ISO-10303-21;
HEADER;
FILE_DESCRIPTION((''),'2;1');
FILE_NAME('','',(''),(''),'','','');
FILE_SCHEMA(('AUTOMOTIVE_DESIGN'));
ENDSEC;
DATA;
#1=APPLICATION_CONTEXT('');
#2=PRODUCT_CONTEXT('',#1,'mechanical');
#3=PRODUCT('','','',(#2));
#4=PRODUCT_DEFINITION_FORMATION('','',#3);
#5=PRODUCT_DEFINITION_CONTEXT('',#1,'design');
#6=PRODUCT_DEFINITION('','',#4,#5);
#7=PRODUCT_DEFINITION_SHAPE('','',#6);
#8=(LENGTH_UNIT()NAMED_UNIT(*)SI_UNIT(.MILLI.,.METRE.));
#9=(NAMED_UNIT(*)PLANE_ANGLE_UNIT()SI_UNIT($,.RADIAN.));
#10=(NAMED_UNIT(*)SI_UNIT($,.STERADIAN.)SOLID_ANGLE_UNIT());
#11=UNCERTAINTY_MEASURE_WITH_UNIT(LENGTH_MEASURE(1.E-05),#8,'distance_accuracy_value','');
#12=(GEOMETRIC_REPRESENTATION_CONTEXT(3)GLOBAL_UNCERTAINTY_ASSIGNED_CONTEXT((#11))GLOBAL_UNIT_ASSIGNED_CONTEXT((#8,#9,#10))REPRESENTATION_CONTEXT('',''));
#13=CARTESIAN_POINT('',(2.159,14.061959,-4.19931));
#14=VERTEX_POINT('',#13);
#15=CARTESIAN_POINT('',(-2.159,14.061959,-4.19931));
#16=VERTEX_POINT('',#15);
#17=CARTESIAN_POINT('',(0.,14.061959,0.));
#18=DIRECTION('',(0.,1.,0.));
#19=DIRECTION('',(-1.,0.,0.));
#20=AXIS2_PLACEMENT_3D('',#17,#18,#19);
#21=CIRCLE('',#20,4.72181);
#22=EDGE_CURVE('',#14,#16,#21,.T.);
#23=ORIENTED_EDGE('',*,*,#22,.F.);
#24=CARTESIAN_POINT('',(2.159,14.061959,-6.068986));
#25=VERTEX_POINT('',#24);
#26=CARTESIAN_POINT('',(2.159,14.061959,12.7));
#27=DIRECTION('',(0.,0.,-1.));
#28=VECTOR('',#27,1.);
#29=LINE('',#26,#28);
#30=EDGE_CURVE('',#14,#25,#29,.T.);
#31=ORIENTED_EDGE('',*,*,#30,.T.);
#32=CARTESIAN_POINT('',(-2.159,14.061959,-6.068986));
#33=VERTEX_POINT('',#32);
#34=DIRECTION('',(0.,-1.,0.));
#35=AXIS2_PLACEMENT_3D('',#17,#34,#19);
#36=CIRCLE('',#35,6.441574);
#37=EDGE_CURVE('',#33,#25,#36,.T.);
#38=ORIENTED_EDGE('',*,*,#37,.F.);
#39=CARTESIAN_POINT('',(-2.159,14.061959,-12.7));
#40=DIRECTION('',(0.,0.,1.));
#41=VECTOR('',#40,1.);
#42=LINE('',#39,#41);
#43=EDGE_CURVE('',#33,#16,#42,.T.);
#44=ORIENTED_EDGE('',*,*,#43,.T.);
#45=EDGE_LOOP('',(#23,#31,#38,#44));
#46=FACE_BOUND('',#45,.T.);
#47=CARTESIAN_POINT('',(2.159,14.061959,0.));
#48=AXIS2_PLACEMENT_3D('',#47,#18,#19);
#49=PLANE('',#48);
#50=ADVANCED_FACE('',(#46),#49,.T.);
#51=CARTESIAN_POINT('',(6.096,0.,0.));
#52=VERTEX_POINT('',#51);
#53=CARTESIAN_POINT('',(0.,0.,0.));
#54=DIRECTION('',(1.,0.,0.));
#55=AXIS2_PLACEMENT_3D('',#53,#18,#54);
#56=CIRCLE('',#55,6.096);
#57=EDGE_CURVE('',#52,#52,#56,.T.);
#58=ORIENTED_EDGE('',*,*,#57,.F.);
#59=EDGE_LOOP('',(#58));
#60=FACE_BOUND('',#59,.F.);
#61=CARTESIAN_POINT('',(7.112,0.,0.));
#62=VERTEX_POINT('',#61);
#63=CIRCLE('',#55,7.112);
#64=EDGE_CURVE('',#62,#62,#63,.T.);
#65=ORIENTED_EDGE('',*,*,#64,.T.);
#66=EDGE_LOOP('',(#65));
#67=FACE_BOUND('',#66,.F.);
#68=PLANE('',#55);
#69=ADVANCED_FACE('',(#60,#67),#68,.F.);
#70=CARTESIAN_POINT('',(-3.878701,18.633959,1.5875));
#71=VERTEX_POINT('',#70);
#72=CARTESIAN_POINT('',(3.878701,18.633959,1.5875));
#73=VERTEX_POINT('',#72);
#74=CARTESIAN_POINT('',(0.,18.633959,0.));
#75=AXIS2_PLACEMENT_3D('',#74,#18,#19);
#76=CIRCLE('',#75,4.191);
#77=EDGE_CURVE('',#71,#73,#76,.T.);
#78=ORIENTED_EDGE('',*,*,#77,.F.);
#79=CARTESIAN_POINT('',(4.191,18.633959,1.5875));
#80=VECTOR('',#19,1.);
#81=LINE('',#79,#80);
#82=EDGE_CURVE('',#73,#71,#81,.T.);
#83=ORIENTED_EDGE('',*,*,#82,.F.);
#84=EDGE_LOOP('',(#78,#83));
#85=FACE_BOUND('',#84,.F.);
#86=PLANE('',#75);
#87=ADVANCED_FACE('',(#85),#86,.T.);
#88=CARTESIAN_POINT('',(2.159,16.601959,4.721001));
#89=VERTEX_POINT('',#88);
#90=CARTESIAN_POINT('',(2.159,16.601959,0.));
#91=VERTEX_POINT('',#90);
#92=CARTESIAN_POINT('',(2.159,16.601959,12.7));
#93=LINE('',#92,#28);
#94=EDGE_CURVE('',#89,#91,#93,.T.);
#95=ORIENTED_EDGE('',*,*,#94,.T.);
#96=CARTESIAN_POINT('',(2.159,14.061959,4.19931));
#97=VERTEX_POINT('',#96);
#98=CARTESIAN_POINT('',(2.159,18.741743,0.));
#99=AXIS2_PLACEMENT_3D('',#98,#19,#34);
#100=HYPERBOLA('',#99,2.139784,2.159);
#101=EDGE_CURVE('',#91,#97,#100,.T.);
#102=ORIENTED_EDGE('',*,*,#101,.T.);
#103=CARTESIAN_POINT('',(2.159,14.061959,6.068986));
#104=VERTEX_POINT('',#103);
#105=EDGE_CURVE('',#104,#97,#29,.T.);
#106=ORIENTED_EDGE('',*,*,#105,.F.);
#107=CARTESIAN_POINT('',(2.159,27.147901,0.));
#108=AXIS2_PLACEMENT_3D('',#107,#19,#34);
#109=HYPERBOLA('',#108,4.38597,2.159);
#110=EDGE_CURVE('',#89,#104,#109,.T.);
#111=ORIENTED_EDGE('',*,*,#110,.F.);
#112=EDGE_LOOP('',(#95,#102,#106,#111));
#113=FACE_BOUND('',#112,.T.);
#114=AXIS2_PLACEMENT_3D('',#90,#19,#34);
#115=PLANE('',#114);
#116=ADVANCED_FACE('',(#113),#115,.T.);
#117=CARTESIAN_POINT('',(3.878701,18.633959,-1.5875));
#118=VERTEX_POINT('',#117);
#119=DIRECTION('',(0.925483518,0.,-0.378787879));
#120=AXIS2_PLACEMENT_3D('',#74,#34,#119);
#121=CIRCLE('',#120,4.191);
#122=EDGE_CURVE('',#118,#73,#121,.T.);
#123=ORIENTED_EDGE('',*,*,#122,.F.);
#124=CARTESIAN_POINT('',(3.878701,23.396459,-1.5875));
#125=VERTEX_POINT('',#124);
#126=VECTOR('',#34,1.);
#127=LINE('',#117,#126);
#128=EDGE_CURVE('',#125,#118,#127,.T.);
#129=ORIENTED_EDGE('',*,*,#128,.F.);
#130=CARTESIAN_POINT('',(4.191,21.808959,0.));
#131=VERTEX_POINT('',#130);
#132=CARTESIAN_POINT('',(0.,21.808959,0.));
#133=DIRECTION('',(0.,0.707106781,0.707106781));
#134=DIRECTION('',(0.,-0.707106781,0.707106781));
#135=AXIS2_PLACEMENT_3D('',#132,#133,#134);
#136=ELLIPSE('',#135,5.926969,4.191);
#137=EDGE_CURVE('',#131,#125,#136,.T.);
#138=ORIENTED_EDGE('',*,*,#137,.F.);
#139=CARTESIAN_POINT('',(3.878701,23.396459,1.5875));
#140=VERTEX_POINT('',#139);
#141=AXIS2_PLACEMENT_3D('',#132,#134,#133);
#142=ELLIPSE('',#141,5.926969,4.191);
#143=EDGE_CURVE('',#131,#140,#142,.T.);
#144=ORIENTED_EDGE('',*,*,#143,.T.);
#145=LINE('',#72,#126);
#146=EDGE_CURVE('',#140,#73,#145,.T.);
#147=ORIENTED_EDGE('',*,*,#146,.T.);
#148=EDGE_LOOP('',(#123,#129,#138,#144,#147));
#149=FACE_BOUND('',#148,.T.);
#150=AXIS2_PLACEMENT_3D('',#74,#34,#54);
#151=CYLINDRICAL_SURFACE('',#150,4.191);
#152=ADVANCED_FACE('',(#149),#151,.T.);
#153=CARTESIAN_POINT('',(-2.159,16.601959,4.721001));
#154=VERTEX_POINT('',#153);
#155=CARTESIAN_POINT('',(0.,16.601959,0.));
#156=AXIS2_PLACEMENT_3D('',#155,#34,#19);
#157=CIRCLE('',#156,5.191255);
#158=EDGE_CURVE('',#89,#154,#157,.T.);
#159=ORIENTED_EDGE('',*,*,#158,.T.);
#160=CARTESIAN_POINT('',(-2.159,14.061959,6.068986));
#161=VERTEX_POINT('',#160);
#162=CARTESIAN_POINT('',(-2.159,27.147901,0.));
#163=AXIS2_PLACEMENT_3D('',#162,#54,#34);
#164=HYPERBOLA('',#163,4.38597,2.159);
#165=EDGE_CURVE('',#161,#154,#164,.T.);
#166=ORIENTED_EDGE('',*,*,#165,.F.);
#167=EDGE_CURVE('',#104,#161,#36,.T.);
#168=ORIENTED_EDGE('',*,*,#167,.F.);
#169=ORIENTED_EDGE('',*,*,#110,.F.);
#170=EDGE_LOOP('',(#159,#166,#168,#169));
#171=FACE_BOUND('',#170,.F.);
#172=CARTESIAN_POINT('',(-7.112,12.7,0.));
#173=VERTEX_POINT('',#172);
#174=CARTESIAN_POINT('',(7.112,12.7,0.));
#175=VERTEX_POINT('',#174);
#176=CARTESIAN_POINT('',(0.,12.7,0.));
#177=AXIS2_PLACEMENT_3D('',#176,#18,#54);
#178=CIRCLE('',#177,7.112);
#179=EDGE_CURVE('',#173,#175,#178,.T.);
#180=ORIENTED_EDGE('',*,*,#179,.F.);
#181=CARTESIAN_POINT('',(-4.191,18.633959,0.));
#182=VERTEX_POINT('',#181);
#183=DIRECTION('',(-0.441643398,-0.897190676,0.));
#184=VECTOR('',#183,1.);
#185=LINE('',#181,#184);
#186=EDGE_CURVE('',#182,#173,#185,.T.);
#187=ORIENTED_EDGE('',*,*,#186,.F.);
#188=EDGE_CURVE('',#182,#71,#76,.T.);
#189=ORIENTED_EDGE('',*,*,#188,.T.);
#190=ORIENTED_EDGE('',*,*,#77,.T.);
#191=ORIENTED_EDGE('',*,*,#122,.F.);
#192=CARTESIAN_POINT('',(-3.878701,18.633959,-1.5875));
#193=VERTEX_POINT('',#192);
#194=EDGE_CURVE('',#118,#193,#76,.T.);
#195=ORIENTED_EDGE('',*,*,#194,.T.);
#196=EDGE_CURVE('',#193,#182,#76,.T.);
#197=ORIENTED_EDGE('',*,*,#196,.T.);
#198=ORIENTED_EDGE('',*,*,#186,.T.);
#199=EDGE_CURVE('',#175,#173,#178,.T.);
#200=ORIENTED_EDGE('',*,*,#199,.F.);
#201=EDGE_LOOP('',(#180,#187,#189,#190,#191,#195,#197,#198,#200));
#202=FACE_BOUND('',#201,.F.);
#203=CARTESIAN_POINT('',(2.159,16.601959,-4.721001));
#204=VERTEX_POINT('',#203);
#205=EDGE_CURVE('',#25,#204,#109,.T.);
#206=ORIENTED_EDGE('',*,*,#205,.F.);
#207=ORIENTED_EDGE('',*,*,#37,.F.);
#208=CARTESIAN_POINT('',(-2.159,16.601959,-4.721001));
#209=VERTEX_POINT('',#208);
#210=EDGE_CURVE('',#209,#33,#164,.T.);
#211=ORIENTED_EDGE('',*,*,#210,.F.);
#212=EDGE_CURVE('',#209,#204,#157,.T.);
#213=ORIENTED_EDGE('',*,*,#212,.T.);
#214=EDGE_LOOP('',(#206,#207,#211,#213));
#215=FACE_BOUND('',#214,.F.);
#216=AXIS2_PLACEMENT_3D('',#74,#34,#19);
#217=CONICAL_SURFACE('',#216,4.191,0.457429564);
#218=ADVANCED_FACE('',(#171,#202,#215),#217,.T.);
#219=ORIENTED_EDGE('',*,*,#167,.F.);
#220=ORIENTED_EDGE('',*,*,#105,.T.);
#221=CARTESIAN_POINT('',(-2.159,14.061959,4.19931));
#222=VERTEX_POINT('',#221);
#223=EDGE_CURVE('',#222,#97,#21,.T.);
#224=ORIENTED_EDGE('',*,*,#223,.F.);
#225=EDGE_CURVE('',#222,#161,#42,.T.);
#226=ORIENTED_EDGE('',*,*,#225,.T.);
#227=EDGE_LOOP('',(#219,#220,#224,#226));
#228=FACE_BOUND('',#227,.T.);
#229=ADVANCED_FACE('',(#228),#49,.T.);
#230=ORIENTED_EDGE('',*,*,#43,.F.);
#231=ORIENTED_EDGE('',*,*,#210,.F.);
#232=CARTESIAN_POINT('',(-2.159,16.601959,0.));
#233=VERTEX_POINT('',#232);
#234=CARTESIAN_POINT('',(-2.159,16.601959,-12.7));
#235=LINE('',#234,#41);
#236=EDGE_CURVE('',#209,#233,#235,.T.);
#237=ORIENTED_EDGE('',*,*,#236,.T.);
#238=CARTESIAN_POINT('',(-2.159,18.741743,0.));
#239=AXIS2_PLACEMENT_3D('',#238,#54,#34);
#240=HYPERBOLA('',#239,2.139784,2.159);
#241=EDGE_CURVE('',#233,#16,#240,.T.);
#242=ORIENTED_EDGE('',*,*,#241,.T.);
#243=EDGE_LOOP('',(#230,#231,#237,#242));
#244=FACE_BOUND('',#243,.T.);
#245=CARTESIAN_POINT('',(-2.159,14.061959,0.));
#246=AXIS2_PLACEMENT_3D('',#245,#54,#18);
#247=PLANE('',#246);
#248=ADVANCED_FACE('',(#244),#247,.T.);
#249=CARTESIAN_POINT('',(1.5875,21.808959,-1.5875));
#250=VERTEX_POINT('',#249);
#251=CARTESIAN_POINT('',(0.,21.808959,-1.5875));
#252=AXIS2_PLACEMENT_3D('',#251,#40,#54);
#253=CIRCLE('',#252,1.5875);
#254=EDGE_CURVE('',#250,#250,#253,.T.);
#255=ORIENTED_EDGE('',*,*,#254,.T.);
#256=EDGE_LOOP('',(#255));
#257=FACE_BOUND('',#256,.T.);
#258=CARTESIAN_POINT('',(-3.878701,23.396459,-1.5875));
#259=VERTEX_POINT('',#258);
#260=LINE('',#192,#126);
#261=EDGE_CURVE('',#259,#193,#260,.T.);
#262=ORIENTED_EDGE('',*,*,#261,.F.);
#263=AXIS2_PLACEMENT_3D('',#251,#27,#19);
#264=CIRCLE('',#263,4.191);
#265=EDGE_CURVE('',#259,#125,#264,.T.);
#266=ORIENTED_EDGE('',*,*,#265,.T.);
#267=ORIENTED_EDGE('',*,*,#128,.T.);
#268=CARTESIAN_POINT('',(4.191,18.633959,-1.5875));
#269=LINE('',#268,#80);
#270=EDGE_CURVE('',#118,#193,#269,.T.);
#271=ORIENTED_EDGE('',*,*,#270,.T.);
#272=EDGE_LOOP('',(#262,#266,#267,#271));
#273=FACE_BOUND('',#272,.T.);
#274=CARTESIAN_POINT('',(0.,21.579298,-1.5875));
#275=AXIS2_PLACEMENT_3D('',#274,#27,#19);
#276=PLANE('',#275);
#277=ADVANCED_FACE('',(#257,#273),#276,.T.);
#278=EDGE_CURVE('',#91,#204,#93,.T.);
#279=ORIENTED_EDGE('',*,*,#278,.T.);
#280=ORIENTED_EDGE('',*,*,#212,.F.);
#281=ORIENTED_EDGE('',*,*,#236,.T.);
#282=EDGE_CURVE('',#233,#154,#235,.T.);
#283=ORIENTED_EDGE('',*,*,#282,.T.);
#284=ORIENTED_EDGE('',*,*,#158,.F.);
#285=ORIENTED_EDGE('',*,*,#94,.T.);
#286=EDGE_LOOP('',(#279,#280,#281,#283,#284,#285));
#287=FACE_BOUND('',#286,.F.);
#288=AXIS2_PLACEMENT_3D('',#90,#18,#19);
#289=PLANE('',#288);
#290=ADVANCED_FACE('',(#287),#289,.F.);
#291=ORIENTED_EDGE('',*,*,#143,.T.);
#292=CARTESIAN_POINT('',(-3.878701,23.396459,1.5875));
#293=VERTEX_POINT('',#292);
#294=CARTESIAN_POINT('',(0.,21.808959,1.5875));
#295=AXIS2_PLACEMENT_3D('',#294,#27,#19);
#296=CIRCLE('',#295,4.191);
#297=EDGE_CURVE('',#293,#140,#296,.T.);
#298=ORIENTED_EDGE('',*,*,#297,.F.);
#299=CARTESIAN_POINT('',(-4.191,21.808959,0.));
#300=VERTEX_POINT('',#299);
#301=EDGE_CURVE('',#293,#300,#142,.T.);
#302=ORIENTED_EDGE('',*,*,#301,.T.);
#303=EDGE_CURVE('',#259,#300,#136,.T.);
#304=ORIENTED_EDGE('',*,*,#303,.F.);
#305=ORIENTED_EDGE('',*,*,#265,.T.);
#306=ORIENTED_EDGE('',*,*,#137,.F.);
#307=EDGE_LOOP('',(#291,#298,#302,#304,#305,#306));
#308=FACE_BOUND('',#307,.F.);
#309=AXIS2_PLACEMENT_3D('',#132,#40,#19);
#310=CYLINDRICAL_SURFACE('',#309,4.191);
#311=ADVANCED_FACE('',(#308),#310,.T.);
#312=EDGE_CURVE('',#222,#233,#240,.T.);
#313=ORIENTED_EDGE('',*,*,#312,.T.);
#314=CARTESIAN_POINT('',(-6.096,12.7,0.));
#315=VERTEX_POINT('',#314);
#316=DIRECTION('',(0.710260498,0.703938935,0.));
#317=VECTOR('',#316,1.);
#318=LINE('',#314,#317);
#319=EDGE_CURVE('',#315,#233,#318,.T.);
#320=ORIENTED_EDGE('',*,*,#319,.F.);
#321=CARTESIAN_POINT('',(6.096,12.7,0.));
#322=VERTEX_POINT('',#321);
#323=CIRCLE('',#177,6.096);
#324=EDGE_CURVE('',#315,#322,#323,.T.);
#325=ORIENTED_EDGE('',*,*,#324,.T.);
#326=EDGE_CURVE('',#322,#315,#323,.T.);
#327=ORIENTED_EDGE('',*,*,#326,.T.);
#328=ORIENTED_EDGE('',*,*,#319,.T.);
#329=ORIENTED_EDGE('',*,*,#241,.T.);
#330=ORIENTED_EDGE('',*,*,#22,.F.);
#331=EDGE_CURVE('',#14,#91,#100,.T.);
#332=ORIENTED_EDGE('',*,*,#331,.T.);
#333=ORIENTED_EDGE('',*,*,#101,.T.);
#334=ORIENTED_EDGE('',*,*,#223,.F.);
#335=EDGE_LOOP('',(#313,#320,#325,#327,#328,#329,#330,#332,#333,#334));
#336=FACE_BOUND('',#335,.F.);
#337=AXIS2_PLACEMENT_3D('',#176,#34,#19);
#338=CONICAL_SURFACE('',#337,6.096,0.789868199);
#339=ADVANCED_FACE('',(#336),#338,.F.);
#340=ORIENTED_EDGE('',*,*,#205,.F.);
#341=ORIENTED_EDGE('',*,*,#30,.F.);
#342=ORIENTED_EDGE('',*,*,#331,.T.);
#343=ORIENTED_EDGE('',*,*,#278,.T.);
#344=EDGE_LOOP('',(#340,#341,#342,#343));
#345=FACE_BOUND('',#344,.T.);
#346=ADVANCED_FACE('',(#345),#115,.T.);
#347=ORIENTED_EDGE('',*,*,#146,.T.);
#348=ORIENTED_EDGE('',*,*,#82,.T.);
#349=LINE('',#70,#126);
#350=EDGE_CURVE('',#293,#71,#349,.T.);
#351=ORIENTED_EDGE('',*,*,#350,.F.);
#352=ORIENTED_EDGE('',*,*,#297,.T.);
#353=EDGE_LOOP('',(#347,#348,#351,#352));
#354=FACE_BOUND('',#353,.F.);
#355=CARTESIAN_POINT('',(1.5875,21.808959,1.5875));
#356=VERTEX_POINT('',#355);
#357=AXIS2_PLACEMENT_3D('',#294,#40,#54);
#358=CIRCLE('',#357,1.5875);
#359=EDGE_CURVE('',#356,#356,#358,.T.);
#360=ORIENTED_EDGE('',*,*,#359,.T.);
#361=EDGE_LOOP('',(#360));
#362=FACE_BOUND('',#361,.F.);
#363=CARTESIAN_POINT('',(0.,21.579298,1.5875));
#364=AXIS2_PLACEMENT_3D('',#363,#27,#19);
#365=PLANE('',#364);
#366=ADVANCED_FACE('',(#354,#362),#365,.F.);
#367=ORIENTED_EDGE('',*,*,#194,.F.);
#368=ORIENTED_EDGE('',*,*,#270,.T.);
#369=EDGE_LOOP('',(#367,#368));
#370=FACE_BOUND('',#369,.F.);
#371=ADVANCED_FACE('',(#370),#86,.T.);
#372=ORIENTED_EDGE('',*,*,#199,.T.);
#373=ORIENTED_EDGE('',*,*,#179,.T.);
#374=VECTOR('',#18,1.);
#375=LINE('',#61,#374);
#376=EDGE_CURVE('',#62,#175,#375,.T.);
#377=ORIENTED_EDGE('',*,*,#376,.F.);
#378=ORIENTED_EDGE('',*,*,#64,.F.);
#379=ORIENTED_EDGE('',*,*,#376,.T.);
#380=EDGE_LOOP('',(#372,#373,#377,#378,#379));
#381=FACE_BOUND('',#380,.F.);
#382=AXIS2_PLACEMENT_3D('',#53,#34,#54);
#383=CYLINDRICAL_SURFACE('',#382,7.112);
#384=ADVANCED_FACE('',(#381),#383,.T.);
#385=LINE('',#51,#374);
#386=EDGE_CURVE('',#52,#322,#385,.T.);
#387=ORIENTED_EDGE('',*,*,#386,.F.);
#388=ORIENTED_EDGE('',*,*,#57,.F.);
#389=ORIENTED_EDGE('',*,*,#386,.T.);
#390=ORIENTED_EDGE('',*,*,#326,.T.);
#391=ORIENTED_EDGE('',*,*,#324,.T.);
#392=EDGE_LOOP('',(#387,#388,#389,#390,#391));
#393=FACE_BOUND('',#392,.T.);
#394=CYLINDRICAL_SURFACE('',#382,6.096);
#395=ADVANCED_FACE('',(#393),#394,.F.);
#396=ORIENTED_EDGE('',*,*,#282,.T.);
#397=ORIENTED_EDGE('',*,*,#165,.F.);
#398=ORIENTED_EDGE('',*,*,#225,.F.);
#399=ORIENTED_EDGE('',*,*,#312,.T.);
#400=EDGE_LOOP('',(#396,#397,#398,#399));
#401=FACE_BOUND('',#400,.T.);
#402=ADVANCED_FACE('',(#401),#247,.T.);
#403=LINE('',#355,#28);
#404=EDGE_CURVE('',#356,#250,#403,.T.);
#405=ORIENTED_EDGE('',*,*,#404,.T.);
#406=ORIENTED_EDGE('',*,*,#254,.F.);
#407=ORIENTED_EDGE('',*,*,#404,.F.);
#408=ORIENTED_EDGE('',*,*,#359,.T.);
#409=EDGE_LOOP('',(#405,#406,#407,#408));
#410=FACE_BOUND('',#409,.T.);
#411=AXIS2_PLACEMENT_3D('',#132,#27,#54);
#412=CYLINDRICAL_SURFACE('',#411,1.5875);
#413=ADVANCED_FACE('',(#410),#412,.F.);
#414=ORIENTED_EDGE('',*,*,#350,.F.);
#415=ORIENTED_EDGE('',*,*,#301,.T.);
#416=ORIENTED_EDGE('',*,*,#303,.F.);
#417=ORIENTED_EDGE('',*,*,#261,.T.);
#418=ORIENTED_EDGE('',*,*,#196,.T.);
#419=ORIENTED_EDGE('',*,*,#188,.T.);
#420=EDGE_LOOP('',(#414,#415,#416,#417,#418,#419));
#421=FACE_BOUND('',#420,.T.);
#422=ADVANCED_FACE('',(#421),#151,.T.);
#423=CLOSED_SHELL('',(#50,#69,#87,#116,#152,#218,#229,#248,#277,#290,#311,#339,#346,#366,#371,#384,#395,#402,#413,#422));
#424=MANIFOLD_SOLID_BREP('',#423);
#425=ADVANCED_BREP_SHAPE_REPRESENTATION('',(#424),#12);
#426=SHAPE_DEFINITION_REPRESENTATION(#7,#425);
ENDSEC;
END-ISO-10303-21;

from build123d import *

# Parameters (mm, degrees)
SKETCH1_R           = 7.112
SKETCH1_R_2         = 6.096
BOSS_EXTRUDE1_DEPTH = 12.7
SKETCH3_R           = 1.5875
BOSS_EXTRUDE3_DEPTH = 1.5875
CUT_EXTRUDE1_DEPTH  = 12.7
SKETCH5_OUTSIDE_W   = 22.798
SKETCH5_OUTSIDE_H   = 22.798
SKETCH5_OUTSIDE_R   = 4.191
CUT_EXTRUDE3_DEPTH  = 25.4


with BuildPart() as part:
    # Sketch1 → Boss-Extrude1 (new body)
    with BuildSketch(Plane(origin=(0, 0, 0), x_dir=(1, 0, 0), z_dir=(0, 1, 0))):
        Circle(SKETCH1_R)
        Circle(SKETCH1_R_2, mode=Mode.SUBTRACT)
    extrude(amount=BOSS_EXTRUDE1_DEPTH)

    # Sketch2 → Revolve2 (revolve)
    with BuildSketch(Plane.XY):
        Polygon((-7.112, 12.7), (-6.096, 12.7), (-2.159, 16.601959342), (0, 16.601959342), (0, 18.633959342), (-4.191, 18.633959342), align=None)
    revolve(axis=Axis((0, 16.601959342, 0), (0, 1, 0)))

    # Sketch3 → Boss-Extrude3 (add, symmetric)
    with BuildSketch(Plane.XY):
        with BuildLine():
            Line((-4.191, 18.633959342), (-4.191, 21.808959342))
            ThreePointArc((-4.191, 21.808959342), (0, 25.999959342), (4.191, 21.808959342))
            Line((4.191, 21.808959342), (4.191, 18.633959342))
            Line((4.191, 18.633959342), (-4.191, 18.633959342))
        make_face()
        with Locations((0, 21.808959342)):
            Circle(SKETCH3_R, mode=Mode.SUBTRACT)
    extrude(amount=BOSS_EXTRUDE3_DEPTH, both=True)

    # Sketch4 → Cut-Extrude1 (cut, symmetric)
    with BuildSketch(Plane.XY):
        Polygon((0, 16.601959342), (2.159, 16.601959342), (2.159, 14.061959342), (-2.159, 14.061959342), (-2.159, 16.601959342), align=None)
    extrude(amount=CUT_EXTRUDE1_DEPTH, both=True, mode=Mode.SUBTRACT)

    # Sketch5 outside → Cut-Extrude3 (cut)
    with BuildSketch(Plane.XZ.offset(-18.633959342)):
        Rectangle(SKETCH5_OUTSIDE_W, SKETCH5_OUTSIDE_H)
        Circle(SKETCH5_OUTSIDE_R, mode=Mode.SUBTRACT)
    extrude(amount=-CUT_EXTRUDE3_DEPTH, mode=Mode.SUBTRACT)


solid = part.part
